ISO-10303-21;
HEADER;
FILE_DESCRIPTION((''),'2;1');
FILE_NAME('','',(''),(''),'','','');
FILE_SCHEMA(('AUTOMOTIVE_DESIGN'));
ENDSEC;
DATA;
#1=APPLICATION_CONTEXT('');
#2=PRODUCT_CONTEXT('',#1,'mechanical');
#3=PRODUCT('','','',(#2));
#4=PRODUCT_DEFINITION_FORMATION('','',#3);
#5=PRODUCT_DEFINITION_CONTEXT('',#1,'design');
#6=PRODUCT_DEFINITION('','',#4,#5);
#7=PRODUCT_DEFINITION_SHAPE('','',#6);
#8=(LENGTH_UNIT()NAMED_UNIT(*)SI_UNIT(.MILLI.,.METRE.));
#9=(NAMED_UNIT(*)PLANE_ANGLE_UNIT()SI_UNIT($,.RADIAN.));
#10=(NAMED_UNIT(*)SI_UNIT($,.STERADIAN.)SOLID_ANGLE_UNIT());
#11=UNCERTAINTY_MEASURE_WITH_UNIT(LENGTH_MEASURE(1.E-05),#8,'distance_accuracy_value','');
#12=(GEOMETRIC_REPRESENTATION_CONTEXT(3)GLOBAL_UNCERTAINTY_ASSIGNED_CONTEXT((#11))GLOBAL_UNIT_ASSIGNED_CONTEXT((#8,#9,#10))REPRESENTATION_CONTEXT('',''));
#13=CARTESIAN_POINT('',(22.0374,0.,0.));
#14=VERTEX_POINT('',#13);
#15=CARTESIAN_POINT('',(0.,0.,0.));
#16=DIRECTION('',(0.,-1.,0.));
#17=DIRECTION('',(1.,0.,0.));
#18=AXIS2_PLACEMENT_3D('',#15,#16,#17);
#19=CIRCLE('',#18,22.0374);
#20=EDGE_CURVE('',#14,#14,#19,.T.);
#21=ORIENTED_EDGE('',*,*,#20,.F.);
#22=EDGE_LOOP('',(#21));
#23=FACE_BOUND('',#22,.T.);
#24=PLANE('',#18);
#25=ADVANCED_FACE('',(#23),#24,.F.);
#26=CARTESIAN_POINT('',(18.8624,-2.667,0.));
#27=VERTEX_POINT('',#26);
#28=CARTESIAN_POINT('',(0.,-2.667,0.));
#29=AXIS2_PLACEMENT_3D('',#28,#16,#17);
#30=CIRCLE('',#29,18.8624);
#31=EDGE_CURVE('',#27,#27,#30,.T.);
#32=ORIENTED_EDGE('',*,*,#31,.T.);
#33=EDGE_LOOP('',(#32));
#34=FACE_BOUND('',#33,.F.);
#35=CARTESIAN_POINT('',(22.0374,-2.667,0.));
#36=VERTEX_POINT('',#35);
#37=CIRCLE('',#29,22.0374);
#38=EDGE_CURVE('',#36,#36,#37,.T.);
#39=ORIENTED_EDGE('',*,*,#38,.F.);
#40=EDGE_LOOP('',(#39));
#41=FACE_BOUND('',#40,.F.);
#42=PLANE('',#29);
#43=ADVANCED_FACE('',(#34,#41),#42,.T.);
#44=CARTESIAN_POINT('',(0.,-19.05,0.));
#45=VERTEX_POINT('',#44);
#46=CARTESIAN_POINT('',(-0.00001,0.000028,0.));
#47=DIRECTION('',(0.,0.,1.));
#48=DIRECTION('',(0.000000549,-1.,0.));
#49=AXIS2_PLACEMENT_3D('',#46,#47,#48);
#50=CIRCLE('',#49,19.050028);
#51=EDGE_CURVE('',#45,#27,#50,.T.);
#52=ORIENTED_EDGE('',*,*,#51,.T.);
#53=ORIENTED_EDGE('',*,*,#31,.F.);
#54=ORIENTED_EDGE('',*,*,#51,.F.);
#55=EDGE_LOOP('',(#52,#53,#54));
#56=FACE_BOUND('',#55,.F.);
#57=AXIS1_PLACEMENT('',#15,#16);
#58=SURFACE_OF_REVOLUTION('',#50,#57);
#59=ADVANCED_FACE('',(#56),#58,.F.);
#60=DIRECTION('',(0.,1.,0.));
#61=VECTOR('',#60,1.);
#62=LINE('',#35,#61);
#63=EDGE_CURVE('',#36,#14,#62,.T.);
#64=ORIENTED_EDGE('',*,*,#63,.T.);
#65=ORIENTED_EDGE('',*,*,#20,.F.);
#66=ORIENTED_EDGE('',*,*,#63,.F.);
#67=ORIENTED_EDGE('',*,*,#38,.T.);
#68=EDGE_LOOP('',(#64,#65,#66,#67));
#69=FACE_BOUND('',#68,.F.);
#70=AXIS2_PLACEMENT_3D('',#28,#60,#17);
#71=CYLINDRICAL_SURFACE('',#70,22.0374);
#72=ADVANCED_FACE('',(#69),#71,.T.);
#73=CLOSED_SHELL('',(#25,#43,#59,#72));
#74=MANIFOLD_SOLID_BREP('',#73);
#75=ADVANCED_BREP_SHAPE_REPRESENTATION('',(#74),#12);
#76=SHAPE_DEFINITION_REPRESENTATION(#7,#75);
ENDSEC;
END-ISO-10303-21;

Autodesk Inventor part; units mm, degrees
ref_plane "YZ Plane" through (0, 0, 0) normal (1, 0, 0) x (0, 1, 0)
ref_plane "XZ Plane" through (0, 0, 0) normal (0, 1, 0) x (-1, 0, 0)
ref_plane "XY Plane" through (0, 0, 0) normal (0, 0, 1) x (1, 0, 0)
sketch "Sketch1" plane through (0, 0, 0) normal (0, 0, 1) x (1, 0, 0)
  line L0 (0, 0) -> (22.0374, 0)
  arc A0 (0, -19.05) -> (18.8624, -2.667) centre (0, 0) ccw
  line L1 (18.8624, -2.667) -> (22.0374, -2.667)
  line L2 (22.0374, -2.667) -> (22.0374, 0)
  line L3 (0, 0) -> (0, -19.05)
  dimension "d0" = 3.175
  dimension "d1" = 19.05
  dimension "d2" = 2.667
revolve "Revolution1" add sketch "Sketch1" angle 360 about axis through (0, 0, 0) along (0, -1, 0)
properties part number "OGCasterWheel" material "Stainless Steel AISI 440C, Welded"
